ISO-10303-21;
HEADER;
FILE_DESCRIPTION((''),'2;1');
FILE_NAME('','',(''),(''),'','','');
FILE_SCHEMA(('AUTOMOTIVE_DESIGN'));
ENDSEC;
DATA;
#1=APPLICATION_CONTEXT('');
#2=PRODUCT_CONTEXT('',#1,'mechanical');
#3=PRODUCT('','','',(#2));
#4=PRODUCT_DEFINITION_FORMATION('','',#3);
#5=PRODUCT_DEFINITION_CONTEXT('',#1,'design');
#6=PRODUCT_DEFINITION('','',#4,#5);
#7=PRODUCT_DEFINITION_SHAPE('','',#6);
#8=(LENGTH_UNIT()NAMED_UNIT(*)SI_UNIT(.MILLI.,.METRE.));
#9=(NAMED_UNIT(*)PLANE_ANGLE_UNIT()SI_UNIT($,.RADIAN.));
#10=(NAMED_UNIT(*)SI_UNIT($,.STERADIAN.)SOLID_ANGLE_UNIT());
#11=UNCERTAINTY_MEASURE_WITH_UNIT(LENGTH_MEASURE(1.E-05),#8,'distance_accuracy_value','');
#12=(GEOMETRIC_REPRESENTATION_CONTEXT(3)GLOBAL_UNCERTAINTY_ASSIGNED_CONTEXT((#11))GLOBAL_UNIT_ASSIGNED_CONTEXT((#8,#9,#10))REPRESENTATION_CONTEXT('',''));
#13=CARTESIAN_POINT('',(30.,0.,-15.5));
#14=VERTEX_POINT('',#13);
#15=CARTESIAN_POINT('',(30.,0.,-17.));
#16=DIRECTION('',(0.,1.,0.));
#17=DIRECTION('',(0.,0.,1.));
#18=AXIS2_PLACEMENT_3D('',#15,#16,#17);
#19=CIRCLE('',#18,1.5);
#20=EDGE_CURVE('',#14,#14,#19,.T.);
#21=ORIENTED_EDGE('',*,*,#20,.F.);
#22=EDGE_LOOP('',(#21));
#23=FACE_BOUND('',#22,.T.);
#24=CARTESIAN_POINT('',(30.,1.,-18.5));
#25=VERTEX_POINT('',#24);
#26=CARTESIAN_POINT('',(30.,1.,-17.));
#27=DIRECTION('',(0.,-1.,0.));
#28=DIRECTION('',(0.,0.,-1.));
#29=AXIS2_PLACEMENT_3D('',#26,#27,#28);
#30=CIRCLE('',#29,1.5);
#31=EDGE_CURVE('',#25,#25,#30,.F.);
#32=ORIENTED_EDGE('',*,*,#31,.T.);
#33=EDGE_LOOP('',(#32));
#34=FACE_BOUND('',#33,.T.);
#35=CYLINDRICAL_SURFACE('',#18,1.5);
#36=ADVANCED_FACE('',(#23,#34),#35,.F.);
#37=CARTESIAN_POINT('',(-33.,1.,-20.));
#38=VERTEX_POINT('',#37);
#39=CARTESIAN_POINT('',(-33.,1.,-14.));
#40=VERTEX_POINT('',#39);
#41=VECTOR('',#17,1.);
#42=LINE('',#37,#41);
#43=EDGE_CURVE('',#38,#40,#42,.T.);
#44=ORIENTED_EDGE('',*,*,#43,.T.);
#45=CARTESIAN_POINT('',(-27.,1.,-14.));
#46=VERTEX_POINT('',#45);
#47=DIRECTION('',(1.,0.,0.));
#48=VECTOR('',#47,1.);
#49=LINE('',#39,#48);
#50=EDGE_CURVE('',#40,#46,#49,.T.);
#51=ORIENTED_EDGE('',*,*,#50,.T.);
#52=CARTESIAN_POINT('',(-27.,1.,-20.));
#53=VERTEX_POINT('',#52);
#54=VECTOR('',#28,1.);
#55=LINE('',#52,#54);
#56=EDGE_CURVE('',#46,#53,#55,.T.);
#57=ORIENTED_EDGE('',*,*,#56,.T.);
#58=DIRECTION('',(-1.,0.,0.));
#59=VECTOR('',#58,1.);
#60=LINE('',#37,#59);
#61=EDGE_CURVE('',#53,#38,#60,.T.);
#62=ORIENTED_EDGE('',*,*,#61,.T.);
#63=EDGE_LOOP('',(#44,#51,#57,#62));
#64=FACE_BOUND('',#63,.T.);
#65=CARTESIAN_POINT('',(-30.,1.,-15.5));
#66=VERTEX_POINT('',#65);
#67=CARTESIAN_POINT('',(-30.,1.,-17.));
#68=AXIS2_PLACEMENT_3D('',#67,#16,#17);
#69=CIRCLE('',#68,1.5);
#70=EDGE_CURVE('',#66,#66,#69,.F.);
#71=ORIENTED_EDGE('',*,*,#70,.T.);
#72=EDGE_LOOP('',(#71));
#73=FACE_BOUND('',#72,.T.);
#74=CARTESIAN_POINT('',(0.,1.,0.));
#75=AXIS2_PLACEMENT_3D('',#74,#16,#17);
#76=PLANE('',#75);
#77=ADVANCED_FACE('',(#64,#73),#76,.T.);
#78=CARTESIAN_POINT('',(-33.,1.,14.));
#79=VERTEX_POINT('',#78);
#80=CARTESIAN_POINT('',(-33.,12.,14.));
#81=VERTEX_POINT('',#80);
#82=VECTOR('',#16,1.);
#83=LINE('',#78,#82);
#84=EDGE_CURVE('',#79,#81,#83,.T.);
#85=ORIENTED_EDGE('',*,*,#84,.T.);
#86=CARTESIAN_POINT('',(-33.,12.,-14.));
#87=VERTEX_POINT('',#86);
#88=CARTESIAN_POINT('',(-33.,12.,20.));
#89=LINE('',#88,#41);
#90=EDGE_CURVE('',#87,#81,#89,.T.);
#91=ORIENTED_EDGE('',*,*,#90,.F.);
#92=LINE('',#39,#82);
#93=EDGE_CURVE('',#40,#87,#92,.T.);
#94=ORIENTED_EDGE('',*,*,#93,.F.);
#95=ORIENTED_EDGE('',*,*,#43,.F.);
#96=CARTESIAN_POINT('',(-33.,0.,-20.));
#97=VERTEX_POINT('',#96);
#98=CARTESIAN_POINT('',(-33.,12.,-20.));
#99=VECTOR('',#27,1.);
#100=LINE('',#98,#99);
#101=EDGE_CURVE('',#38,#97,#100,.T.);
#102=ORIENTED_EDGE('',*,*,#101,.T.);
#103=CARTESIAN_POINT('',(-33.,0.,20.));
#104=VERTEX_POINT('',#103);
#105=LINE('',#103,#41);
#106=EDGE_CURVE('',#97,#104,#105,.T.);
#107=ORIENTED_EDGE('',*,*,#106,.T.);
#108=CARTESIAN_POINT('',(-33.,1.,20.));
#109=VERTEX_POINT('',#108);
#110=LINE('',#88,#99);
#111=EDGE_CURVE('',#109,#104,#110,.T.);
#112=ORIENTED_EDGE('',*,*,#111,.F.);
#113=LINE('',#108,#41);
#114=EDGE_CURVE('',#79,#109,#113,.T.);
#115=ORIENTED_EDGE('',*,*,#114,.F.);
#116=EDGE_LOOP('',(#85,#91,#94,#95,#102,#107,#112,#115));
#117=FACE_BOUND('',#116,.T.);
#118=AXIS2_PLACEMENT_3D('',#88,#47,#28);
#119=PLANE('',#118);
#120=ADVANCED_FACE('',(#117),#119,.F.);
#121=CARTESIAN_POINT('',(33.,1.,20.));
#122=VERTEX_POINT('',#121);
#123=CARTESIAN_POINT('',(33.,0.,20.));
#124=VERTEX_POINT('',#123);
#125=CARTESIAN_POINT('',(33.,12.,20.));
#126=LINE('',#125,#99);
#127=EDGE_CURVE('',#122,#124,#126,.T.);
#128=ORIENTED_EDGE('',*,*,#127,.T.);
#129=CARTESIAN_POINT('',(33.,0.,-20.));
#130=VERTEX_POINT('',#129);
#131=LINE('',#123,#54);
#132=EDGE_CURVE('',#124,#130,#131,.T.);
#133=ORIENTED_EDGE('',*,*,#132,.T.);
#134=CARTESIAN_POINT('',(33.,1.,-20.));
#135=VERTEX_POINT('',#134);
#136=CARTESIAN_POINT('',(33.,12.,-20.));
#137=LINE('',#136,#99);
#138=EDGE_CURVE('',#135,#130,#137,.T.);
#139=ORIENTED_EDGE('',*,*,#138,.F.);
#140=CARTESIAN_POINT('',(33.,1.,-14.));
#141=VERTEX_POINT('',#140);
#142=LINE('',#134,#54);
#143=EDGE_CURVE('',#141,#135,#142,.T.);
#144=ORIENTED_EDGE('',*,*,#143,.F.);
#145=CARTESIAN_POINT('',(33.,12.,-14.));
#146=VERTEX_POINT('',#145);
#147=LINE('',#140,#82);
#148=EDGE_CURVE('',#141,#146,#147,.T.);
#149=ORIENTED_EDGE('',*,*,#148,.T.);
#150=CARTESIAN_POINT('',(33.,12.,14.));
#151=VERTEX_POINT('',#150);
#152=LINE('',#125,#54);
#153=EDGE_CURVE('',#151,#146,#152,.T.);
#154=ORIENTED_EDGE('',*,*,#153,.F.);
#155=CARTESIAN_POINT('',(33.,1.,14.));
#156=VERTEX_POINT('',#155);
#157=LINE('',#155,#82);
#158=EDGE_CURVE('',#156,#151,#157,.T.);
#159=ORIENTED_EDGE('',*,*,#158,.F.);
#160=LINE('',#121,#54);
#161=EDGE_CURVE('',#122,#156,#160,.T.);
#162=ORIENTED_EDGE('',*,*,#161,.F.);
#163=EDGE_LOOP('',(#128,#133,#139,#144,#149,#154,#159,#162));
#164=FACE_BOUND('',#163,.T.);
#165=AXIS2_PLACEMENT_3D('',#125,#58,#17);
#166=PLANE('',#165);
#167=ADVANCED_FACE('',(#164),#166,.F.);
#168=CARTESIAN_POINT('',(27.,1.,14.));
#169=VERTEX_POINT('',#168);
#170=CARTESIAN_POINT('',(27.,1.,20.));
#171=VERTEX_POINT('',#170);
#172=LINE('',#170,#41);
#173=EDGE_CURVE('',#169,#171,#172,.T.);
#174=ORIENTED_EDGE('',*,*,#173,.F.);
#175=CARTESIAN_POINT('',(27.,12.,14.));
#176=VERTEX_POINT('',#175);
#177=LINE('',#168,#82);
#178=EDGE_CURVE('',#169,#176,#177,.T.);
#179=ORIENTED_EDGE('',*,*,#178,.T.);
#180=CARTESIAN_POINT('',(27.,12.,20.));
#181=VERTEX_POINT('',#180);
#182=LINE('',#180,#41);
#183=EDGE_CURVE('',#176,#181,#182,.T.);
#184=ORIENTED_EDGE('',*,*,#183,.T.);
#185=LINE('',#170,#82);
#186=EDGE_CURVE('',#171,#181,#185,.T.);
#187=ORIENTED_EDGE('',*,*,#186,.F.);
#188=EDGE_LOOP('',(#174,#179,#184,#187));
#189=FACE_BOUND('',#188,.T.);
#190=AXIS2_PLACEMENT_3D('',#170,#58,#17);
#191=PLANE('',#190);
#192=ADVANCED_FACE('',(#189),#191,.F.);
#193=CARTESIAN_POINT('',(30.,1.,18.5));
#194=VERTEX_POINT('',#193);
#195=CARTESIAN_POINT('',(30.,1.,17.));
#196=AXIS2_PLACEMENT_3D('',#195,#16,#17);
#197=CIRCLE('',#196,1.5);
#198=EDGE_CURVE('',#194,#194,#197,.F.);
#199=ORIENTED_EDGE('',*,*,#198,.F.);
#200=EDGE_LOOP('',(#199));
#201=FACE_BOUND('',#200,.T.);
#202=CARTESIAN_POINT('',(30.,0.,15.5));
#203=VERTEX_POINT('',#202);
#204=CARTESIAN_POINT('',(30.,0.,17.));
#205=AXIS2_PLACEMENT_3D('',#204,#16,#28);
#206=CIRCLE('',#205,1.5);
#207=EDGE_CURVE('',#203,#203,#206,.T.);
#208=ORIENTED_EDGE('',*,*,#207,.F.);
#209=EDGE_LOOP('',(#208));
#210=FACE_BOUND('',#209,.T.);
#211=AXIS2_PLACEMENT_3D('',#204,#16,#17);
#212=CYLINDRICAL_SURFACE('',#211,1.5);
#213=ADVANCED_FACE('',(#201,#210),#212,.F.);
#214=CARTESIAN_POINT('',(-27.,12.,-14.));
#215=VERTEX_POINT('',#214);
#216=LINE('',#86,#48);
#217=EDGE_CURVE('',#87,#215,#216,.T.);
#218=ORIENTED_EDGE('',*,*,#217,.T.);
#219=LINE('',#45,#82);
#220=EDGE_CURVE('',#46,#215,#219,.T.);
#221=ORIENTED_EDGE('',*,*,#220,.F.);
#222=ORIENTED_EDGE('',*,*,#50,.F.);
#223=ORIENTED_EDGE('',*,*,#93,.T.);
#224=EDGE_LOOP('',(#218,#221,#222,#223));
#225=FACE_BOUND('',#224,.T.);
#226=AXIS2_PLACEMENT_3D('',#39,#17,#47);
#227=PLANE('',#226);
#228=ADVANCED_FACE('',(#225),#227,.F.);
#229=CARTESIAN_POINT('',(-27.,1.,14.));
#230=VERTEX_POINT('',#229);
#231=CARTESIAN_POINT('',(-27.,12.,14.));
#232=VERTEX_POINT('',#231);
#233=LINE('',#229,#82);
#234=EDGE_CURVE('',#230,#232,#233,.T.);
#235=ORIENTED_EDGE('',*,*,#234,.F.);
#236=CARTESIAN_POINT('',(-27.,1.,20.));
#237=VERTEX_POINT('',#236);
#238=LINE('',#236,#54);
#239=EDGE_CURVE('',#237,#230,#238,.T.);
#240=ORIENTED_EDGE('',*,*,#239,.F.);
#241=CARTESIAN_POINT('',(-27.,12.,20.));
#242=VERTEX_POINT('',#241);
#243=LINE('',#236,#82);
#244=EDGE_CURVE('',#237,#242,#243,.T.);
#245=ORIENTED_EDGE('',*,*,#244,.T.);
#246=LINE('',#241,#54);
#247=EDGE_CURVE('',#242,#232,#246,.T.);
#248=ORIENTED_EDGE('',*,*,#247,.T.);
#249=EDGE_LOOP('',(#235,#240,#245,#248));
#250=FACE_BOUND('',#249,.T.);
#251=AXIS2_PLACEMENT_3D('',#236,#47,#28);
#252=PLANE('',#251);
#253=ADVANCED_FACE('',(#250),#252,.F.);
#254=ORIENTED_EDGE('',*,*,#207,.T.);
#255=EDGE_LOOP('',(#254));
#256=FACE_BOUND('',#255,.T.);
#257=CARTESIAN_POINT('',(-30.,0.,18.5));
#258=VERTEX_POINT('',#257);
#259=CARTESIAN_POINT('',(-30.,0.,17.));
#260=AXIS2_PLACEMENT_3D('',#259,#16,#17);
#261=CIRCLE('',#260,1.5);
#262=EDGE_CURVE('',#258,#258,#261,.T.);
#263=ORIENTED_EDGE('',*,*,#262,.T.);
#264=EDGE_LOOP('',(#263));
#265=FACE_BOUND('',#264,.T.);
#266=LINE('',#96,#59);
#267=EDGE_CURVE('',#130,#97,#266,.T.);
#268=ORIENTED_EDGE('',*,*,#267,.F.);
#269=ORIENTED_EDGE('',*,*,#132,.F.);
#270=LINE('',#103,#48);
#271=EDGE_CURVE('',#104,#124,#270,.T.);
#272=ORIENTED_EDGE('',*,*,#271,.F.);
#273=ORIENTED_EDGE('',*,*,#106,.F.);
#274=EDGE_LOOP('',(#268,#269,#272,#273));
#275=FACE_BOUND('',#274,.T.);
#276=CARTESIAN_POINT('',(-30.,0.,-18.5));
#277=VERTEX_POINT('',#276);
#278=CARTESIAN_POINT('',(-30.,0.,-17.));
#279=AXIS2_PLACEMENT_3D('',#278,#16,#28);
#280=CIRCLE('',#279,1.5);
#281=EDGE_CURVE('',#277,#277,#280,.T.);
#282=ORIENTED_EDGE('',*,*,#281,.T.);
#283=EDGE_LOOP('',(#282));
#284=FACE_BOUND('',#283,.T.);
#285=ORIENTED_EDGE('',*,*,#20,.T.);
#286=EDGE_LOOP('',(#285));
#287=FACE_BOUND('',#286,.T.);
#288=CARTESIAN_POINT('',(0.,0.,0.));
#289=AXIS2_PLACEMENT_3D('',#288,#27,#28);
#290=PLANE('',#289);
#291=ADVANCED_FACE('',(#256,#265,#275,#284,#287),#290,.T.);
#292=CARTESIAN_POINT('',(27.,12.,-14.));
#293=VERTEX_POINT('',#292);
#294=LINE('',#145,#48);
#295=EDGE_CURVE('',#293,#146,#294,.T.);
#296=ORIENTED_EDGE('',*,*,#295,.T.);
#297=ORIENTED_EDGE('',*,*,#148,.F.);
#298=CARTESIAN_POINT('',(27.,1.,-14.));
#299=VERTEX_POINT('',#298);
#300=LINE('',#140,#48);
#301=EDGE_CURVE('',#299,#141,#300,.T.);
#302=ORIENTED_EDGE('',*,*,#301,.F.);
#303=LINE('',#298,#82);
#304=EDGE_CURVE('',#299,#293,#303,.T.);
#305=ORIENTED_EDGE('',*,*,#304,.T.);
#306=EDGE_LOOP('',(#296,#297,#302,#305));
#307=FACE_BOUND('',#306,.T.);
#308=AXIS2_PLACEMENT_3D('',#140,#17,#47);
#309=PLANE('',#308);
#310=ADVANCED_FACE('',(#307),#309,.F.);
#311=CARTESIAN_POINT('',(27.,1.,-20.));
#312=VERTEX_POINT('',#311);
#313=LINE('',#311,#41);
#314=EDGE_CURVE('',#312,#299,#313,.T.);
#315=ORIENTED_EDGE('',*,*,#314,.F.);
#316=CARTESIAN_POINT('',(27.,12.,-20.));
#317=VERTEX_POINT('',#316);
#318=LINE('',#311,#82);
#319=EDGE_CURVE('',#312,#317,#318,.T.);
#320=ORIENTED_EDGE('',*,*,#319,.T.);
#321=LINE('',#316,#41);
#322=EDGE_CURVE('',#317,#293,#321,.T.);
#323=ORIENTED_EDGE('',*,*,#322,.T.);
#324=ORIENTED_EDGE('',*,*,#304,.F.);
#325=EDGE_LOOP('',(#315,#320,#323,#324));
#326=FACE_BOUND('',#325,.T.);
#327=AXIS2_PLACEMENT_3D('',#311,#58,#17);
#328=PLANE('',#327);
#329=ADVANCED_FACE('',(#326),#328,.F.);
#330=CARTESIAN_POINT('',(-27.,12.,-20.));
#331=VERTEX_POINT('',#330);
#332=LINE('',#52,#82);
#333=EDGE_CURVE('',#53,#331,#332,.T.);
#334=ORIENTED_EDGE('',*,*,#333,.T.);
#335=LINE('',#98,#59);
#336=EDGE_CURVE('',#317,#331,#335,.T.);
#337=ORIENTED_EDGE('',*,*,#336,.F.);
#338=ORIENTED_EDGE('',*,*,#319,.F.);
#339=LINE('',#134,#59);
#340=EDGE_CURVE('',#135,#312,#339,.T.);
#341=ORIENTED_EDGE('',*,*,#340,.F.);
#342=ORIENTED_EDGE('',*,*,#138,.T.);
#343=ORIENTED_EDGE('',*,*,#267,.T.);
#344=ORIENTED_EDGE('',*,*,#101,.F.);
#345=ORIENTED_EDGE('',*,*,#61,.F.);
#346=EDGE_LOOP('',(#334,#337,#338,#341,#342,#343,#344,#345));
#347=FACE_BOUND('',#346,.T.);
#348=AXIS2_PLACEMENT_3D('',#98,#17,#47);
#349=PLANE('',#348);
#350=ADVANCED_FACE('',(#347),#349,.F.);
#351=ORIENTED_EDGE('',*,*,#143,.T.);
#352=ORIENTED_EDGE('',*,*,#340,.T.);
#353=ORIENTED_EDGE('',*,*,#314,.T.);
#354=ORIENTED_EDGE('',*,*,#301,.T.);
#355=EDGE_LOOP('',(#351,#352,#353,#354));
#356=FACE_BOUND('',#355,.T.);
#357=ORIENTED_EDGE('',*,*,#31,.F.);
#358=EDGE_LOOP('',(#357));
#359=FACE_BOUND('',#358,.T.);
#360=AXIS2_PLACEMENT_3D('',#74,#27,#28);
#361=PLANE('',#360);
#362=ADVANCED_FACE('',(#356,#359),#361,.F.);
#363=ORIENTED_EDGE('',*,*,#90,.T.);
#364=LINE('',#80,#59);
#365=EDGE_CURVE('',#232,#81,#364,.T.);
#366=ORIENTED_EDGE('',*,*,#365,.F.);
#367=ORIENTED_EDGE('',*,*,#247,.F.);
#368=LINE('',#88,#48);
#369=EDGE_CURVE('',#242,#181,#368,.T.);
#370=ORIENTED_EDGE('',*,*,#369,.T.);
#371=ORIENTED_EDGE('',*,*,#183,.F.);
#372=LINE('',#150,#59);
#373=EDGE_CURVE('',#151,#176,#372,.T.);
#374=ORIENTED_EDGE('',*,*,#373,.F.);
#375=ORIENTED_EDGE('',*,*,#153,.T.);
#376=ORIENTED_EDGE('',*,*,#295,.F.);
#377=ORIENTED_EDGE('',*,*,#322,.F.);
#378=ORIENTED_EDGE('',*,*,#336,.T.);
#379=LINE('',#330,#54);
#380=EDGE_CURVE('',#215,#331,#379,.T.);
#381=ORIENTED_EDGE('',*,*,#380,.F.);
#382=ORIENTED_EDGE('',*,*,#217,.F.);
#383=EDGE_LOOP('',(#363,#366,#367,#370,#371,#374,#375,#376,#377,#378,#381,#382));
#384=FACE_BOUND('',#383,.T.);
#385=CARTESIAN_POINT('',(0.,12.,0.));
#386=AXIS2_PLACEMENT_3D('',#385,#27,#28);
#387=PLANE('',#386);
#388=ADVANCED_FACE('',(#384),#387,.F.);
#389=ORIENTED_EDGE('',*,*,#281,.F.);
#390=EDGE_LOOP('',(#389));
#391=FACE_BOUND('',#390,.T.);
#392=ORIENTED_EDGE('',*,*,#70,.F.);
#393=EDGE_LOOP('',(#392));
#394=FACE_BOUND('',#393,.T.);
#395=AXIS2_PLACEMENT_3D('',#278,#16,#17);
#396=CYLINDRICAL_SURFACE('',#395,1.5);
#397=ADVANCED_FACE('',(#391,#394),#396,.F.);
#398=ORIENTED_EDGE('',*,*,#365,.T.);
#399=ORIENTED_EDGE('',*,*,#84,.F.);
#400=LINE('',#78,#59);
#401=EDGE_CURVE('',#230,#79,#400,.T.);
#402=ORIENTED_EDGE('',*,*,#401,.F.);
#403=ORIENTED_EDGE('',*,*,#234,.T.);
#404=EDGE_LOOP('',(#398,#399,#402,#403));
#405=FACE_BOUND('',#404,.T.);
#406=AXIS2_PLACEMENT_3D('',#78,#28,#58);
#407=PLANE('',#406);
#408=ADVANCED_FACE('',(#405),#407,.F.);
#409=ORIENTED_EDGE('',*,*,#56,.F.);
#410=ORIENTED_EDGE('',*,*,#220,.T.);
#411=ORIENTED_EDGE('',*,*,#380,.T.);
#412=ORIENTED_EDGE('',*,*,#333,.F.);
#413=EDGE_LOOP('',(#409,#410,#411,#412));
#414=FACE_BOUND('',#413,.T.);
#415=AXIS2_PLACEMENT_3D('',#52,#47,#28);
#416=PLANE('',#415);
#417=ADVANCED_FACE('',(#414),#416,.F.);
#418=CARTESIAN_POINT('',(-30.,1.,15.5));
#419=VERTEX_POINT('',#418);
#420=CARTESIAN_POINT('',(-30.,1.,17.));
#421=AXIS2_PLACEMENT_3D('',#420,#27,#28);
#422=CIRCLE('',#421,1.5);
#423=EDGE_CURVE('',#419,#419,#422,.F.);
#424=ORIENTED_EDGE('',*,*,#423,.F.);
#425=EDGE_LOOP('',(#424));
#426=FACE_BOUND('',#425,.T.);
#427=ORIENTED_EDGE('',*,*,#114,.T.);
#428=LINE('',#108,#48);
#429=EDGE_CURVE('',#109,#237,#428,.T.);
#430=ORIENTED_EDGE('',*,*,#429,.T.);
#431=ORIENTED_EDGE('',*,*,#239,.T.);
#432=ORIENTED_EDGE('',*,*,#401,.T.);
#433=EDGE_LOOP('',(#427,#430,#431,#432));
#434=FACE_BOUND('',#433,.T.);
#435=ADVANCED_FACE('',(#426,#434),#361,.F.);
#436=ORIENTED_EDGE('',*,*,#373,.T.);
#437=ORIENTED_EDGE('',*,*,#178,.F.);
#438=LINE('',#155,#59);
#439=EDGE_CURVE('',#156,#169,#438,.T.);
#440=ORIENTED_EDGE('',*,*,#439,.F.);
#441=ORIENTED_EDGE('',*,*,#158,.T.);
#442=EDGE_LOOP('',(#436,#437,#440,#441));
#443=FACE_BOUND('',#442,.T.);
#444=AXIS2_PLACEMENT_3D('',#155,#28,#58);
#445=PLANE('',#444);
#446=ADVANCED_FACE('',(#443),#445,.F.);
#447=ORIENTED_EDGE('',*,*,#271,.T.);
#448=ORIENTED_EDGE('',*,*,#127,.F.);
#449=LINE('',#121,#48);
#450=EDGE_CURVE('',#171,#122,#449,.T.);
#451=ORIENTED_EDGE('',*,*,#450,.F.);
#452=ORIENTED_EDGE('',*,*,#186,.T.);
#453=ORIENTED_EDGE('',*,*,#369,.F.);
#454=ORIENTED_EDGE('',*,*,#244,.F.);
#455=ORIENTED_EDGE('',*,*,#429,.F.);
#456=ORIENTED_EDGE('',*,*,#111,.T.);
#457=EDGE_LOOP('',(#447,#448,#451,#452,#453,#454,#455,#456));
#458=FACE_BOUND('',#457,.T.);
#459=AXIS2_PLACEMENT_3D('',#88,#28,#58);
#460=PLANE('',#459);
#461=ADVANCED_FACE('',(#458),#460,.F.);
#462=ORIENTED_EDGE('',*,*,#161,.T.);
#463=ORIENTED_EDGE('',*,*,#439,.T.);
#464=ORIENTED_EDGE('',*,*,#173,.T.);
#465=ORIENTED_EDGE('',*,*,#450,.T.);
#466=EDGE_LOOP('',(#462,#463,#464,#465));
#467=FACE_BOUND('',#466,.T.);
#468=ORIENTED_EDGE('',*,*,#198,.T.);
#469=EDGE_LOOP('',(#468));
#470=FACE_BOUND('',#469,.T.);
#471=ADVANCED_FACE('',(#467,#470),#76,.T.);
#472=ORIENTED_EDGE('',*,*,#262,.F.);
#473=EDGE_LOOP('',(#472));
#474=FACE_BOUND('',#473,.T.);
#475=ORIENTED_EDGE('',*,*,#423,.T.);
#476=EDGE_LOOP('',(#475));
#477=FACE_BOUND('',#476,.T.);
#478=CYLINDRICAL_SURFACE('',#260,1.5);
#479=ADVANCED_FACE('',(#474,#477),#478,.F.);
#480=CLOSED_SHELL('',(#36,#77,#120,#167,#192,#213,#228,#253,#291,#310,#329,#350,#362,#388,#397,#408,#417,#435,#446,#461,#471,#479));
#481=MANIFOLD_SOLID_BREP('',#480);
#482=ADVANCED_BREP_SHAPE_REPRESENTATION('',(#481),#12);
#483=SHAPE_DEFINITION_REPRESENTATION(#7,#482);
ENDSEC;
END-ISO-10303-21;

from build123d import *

# Parameters (mm, degrees)
SKETCH_1_W          = 66
SKETCH_1_H          = 40
EXTRUDE_1_DEPTH     = 12
SKETCH_2_R          = 1.5
CUT_EXTRUDE_1_DEPTH = 41.410394702
SKETCH_3_W          = 6
SKETCH_3_H          = 6
CUT_EXTRUDE_2_DEPTH = 11


with BuildPart() as part:
    # 草图1 → 凸台-拉伸1 (new body)
    with BuildSketch(Plane(origin=(0, 0, 0), x_dir=(1, 0, 0), z_dir=(0, 1, 0))):
        Rectangle(SKETCH_1_W, SKETCH_1_H)
    extrude(amount=EXTRUDE_1_DEPTH)

    # 草图2 → 切除-拉伸1 (cut, through all)
    with BuildSketch(Plane(origin=(0, 12, 0), x_dir=(1, 0, 0), z_dir=(0, 1, 0))):
        with Locations(Location((-30, -17, 0), (0, 0, 270))):
            Circle(SKETCH_2_R)
        with Locations(Location((30, -17, 0), (0, 0, 90))):
            Circle(SKETCH_2_R)
        with Locations(Location((30, 17, 0), (0, 0, 270))):
            Circle(SKETCH_2_R)
        with Locations(Location((-30, 17, 0), (0, 0, 90))):
            Circle(SKETCH_2_R)
    extrude(amount=-CUT_EXTRUDE_1_DEPTH, mode=Mode.SUBTRACT)

    # 草图3 → 切除-拉伸2 (cut)
    with BuildSketch(Plane(origin=(0, 12, 0), x_dir=(1, 0, 0), z_dir=(0, 1, 0))):
        with Locations((-30, 17)):
            Rectangle(SKETCH_3_W, SKETCH_3_H)
        with Locations((30, 17)):
            Rectangle(SKETCH_3_W, SKETCH_3_H)
        with Locations((30, -17)):
            Rectangle(SKETCH_3_W, SKETCH_3_H)
        with Locations((-30, -17)):
            Rectangle(SKETCH_3_W, SKETCH_3_H)
    extrude(amount=-CUT_EXTRUDE_2_DEPTH, mode=Mode.SUBTRACT)


solid = part.part
